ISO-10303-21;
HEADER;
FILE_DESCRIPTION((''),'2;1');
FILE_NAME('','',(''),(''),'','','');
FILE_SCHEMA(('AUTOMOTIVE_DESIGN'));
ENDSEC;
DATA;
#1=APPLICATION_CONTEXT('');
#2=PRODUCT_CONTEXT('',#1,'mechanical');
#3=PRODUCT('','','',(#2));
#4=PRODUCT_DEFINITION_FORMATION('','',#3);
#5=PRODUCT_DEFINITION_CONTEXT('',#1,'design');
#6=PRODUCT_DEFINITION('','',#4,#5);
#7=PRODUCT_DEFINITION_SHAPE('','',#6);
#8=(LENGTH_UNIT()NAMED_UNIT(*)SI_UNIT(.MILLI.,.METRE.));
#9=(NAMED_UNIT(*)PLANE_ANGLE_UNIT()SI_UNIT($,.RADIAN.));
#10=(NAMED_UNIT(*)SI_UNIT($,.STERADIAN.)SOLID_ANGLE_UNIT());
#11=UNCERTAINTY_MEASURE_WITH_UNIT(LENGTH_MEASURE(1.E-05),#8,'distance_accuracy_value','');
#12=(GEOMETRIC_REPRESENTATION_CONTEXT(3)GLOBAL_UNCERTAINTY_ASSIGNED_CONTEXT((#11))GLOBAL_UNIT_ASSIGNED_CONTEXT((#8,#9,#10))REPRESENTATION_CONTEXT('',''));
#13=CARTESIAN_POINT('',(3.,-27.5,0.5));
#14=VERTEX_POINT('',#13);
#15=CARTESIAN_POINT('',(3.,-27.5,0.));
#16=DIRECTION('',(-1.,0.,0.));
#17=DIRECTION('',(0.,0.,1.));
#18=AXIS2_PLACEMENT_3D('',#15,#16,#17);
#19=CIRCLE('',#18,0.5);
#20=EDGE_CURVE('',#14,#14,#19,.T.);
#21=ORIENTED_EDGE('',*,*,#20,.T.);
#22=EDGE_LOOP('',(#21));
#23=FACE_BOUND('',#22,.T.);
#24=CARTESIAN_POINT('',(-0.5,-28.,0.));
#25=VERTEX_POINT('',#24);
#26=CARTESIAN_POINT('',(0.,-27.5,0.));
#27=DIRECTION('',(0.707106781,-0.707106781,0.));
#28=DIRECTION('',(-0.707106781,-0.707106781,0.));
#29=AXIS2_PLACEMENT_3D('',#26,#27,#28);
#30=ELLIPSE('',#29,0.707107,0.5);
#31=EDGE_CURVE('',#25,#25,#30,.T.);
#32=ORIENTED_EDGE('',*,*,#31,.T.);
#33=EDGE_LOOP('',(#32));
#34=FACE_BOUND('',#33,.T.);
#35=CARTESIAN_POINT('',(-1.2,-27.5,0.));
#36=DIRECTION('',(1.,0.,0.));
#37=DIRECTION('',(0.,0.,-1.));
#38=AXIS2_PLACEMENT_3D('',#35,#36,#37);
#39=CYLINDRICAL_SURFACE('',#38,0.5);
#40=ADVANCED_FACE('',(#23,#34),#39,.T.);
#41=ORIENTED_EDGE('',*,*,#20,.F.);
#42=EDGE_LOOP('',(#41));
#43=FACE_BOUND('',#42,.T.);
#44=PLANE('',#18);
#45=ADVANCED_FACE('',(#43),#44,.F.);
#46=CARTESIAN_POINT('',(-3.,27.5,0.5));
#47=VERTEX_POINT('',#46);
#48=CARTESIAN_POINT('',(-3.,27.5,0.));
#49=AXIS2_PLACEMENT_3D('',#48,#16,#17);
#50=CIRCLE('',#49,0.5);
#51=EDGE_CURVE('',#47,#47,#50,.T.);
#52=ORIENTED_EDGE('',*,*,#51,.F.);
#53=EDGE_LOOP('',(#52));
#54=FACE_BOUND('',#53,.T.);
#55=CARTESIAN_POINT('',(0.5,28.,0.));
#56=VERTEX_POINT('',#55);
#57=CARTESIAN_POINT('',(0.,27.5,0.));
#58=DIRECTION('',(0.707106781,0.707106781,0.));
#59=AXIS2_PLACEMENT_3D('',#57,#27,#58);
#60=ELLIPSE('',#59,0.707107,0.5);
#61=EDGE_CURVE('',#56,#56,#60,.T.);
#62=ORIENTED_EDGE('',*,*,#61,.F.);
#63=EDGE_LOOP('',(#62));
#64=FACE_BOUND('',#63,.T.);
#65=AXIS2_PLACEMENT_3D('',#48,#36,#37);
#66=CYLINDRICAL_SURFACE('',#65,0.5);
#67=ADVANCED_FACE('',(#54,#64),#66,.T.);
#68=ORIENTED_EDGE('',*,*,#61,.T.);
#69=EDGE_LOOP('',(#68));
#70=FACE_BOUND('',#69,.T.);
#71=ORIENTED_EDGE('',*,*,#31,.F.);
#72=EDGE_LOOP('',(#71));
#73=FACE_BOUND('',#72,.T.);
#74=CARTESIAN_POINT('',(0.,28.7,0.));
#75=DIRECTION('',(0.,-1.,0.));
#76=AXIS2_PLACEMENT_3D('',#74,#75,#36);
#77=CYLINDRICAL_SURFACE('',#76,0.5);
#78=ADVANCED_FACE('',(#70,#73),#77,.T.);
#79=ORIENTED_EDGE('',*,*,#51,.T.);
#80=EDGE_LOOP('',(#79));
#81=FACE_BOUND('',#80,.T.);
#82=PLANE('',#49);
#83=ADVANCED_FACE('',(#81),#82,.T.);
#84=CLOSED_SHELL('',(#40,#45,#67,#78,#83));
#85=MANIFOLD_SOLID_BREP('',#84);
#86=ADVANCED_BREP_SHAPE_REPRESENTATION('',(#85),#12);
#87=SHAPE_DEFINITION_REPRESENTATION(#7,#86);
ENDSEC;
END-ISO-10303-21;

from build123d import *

# Parameters (mm, degrees)
SWEEP1_PROFILE_R = 0.5


with BuildPart() as part:
    # Sweep1: sweep along a path in Sketch1
    with BuildLine(Plane.XY) as sweep1_path:
        Line((-3, 27.5), (0, 27.5))
        Line((0, 27.5), (0, -27.5))
        Line((0, -27.5), (3, -27.5))
    # Sweep1 profile (on start of the path) → Sweep1 (sweep)
    with BuildSketch(Plane(origin=(-3, 27.5, 0), x_dir=(0, 0, 1), z_dir=(1, 0, 0))):
        Circle(SWEEP1_PROFILE_R)
    sweep(path=sweep1_path.line, transition=Transition.RIGHT)


solid = part.part
